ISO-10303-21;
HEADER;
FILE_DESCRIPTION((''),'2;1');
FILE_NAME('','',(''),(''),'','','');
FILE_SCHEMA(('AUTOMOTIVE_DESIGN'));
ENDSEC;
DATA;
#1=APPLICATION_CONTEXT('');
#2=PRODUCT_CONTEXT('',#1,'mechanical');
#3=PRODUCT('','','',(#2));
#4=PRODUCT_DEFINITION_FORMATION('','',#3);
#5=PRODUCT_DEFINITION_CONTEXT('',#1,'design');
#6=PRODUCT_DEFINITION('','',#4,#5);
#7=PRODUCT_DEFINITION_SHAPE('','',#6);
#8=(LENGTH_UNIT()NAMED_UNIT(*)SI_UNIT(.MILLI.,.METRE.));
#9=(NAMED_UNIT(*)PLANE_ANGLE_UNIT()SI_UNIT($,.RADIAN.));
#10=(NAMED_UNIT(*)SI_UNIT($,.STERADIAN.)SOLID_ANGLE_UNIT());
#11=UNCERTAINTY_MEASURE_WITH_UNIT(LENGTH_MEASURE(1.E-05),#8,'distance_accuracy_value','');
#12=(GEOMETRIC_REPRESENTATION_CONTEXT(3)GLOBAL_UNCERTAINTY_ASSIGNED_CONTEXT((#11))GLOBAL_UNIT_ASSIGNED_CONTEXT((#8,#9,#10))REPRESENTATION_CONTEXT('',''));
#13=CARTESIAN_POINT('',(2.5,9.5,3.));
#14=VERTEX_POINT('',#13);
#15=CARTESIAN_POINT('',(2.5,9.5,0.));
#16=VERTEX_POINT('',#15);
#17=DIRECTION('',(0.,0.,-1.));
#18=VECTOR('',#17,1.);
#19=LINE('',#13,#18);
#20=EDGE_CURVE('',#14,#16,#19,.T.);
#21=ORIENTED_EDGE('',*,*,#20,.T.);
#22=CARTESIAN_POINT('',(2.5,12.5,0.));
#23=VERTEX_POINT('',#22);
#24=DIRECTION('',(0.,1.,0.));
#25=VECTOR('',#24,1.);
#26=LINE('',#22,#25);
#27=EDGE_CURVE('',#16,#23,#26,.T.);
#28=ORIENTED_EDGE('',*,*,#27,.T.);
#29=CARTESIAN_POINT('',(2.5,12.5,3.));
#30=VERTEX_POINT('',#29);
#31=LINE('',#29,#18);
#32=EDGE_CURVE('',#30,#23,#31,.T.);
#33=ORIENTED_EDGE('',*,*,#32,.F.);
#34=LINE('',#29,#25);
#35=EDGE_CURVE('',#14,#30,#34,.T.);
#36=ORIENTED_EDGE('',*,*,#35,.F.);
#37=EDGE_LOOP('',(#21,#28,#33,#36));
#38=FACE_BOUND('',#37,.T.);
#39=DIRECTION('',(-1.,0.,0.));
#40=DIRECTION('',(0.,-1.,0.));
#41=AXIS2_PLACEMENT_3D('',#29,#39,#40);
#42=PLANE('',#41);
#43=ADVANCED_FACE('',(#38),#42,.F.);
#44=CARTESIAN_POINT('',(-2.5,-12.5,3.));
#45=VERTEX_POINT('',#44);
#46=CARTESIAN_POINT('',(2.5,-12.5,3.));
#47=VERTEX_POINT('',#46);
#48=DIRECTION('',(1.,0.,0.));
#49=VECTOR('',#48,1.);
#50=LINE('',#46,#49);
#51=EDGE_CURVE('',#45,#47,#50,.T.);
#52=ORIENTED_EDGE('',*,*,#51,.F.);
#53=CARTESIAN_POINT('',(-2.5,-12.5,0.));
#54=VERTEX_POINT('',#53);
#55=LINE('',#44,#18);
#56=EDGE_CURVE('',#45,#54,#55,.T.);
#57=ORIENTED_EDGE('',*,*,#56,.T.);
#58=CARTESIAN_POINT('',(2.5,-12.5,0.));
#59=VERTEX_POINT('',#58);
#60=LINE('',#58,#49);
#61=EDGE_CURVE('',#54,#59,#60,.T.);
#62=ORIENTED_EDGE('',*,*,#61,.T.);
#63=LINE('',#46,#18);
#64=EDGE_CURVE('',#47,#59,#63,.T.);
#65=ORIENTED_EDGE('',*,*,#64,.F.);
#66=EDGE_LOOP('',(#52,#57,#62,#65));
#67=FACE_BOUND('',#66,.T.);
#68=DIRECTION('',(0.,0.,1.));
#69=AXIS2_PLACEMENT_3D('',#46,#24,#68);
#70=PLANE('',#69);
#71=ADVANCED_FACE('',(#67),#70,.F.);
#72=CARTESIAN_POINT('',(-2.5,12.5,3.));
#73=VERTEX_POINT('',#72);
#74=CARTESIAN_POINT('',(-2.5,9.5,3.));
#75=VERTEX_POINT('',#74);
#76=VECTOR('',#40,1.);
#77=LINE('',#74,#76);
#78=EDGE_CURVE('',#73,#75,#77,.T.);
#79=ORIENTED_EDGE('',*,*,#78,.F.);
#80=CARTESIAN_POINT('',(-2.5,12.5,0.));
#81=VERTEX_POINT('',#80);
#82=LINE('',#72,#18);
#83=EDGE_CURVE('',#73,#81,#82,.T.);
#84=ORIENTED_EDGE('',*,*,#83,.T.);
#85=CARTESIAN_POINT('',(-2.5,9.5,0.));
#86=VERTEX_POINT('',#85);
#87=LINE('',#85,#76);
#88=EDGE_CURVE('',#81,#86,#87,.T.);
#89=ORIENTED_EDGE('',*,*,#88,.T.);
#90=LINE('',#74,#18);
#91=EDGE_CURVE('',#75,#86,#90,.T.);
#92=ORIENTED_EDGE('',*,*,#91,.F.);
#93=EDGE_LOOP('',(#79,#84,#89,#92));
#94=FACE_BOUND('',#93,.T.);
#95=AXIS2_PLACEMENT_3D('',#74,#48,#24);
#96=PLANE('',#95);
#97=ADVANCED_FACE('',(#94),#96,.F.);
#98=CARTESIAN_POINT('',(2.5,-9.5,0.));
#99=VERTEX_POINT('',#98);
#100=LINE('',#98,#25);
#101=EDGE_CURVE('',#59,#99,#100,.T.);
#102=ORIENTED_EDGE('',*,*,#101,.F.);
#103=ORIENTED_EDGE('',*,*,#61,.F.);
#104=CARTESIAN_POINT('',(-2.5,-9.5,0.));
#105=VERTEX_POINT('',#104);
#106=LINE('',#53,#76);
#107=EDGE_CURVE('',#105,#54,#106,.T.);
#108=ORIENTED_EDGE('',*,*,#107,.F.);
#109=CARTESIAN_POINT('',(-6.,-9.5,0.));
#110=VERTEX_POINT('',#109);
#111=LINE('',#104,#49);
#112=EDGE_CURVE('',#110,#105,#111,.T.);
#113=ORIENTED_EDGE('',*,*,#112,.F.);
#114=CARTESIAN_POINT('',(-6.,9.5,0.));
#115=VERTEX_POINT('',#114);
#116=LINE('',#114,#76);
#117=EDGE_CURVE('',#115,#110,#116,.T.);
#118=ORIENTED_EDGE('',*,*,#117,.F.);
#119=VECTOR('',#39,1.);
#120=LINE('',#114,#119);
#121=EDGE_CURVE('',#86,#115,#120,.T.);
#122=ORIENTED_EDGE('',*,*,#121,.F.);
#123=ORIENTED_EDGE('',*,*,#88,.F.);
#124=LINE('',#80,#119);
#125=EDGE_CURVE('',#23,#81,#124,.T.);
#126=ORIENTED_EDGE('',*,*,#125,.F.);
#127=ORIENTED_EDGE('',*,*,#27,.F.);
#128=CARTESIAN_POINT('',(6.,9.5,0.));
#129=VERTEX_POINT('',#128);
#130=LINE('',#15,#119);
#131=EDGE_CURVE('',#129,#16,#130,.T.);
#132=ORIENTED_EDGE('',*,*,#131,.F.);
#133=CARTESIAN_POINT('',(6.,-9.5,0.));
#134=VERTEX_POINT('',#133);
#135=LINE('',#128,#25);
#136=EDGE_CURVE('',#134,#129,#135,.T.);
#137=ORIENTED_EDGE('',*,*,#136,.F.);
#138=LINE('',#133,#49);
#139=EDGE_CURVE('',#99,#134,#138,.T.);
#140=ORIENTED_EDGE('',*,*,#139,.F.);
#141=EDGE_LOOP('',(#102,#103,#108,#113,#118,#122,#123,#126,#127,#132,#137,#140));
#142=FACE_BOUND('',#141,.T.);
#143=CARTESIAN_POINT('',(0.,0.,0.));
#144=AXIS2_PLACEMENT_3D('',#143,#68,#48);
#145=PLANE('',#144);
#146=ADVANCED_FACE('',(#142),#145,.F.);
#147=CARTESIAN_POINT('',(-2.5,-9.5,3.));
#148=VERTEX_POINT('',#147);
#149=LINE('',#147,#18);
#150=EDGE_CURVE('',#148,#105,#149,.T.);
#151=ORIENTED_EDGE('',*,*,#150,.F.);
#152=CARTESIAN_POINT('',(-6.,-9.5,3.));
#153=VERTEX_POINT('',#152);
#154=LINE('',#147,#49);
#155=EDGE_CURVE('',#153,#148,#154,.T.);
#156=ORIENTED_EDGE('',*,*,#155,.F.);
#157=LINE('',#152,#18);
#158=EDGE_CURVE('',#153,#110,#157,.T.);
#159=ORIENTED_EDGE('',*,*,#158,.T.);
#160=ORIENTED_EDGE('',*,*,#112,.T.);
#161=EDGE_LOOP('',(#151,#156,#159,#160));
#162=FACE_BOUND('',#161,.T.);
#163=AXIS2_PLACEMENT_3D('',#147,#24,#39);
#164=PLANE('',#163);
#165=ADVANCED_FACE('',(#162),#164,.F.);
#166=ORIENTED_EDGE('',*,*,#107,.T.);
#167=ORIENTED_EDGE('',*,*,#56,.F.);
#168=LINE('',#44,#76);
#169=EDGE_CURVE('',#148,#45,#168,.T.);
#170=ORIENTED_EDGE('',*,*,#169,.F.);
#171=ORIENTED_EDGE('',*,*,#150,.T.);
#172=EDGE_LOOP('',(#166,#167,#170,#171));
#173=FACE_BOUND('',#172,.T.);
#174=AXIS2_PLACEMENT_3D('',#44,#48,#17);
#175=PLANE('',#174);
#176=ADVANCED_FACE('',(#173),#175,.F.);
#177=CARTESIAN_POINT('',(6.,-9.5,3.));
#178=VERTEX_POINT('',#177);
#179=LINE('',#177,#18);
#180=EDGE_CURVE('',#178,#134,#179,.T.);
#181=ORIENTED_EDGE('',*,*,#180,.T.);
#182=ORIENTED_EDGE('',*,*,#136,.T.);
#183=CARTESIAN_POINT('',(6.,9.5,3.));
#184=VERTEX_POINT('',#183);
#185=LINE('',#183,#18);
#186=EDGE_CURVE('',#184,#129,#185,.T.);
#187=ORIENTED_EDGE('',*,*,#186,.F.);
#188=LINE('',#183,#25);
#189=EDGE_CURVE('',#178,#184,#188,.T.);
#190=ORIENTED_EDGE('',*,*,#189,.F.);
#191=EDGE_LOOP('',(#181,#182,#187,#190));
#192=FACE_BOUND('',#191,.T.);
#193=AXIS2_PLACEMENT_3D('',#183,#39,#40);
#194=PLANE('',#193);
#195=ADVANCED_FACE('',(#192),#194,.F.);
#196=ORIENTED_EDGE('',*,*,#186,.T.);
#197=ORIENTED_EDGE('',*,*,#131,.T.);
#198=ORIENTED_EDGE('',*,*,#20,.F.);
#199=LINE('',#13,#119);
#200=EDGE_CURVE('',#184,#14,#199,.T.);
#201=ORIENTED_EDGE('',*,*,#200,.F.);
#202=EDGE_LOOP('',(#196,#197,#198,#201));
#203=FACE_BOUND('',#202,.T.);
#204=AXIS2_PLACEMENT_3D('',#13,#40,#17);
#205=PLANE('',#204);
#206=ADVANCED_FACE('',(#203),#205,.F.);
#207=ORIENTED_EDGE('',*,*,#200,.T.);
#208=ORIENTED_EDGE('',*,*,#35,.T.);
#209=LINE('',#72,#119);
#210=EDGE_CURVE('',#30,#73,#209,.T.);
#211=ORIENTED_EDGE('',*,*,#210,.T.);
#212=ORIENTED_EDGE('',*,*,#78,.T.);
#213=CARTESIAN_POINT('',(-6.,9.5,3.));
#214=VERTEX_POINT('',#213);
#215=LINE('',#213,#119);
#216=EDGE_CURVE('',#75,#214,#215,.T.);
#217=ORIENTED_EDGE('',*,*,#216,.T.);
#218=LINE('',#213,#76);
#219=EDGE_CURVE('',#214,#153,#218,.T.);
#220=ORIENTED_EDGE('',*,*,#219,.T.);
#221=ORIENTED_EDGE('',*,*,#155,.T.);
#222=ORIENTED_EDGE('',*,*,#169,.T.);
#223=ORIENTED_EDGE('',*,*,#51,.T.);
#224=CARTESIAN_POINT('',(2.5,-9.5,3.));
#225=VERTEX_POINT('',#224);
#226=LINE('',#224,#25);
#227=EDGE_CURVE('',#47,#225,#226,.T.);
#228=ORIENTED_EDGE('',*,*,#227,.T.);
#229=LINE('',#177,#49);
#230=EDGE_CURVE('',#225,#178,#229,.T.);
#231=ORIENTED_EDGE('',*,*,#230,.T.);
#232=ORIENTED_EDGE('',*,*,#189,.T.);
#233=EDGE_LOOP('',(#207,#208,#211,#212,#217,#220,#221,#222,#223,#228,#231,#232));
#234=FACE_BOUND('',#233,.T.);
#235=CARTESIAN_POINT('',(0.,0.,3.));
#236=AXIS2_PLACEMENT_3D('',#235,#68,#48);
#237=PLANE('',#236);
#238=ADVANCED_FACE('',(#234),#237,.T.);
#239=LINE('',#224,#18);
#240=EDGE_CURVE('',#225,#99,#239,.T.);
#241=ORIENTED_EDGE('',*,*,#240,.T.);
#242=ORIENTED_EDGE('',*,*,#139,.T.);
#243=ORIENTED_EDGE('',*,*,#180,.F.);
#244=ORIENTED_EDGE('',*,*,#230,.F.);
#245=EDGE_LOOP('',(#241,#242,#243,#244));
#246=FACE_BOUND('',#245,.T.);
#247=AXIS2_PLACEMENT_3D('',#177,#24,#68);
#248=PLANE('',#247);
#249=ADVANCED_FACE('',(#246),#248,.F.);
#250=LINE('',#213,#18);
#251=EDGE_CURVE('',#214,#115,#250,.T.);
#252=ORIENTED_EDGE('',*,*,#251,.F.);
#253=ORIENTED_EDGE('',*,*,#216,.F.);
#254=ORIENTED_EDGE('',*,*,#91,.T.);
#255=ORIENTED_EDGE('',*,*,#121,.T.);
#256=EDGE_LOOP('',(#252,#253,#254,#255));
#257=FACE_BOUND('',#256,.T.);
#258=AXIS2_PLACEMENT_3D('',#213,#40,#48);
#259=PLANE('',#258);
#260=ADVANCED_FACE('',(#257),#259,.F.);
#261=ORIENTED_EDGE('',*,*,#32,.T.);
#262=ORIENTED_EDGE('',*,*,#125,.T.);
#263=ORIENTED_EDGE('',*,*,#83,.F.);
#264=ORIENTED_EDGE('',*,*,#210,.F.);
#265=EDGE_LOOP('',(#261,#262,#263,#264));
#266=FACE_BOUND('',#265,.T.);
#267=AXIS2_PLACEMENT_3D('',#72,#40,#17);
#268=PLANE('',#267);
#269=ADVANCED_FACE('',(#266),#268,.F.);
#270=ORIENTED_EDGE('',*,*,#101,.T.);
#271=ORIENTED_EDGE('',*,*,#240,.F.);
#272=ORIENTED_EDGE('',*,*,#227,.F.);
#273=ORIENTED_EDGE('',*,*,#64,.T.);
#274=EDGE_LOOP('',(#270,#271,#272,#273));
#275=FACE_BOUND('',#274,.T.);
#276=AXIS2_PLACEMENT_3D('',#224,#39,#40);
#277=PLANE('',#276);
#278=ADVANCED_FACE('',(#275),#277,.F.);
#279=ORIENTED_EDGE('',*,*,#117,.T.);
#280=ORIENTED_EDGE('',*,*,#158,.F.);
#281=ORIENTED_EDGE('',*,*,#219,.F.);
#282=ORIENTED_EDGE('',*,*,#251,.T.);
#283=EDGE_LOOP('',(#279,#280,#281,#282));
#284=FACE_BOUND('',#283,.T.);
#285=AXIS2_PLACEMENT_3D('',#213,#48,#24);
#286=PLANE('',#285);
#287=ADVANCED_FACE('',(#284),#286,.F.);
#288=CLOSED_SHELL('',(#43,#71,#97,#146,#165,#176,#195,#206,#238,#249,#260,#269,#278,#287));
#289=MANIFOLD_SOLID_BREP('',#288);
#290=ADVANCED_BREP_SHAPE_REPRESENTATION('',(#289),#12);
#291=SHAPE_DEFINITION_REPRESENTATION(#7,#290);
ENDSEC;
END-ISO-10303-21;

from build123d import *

# Parameters (mm, degrees)
SALIENTE_EXTRUIR1_DEPTH = 3


with BuildPart() as part:
    # Croquis1 → Saliente-Extruir1 (new body)
    with BuildSketch(Plane.XY):
        Polygon((-6, 9.5), (-2.5, 9.5), (-2.5, 12.5), (2.5, 12.5), (2.5, 9.5), (6, 9.5), (6, -9.5), (2.5, -9.5), (2.5, -12.5), (-2.5, -12.5), (-2.5, -9.5), (-6, -9.5), align=None)
    extrude(amount=SALIENTE_EXTRUIR1_DEPTH)


solid = part.part
